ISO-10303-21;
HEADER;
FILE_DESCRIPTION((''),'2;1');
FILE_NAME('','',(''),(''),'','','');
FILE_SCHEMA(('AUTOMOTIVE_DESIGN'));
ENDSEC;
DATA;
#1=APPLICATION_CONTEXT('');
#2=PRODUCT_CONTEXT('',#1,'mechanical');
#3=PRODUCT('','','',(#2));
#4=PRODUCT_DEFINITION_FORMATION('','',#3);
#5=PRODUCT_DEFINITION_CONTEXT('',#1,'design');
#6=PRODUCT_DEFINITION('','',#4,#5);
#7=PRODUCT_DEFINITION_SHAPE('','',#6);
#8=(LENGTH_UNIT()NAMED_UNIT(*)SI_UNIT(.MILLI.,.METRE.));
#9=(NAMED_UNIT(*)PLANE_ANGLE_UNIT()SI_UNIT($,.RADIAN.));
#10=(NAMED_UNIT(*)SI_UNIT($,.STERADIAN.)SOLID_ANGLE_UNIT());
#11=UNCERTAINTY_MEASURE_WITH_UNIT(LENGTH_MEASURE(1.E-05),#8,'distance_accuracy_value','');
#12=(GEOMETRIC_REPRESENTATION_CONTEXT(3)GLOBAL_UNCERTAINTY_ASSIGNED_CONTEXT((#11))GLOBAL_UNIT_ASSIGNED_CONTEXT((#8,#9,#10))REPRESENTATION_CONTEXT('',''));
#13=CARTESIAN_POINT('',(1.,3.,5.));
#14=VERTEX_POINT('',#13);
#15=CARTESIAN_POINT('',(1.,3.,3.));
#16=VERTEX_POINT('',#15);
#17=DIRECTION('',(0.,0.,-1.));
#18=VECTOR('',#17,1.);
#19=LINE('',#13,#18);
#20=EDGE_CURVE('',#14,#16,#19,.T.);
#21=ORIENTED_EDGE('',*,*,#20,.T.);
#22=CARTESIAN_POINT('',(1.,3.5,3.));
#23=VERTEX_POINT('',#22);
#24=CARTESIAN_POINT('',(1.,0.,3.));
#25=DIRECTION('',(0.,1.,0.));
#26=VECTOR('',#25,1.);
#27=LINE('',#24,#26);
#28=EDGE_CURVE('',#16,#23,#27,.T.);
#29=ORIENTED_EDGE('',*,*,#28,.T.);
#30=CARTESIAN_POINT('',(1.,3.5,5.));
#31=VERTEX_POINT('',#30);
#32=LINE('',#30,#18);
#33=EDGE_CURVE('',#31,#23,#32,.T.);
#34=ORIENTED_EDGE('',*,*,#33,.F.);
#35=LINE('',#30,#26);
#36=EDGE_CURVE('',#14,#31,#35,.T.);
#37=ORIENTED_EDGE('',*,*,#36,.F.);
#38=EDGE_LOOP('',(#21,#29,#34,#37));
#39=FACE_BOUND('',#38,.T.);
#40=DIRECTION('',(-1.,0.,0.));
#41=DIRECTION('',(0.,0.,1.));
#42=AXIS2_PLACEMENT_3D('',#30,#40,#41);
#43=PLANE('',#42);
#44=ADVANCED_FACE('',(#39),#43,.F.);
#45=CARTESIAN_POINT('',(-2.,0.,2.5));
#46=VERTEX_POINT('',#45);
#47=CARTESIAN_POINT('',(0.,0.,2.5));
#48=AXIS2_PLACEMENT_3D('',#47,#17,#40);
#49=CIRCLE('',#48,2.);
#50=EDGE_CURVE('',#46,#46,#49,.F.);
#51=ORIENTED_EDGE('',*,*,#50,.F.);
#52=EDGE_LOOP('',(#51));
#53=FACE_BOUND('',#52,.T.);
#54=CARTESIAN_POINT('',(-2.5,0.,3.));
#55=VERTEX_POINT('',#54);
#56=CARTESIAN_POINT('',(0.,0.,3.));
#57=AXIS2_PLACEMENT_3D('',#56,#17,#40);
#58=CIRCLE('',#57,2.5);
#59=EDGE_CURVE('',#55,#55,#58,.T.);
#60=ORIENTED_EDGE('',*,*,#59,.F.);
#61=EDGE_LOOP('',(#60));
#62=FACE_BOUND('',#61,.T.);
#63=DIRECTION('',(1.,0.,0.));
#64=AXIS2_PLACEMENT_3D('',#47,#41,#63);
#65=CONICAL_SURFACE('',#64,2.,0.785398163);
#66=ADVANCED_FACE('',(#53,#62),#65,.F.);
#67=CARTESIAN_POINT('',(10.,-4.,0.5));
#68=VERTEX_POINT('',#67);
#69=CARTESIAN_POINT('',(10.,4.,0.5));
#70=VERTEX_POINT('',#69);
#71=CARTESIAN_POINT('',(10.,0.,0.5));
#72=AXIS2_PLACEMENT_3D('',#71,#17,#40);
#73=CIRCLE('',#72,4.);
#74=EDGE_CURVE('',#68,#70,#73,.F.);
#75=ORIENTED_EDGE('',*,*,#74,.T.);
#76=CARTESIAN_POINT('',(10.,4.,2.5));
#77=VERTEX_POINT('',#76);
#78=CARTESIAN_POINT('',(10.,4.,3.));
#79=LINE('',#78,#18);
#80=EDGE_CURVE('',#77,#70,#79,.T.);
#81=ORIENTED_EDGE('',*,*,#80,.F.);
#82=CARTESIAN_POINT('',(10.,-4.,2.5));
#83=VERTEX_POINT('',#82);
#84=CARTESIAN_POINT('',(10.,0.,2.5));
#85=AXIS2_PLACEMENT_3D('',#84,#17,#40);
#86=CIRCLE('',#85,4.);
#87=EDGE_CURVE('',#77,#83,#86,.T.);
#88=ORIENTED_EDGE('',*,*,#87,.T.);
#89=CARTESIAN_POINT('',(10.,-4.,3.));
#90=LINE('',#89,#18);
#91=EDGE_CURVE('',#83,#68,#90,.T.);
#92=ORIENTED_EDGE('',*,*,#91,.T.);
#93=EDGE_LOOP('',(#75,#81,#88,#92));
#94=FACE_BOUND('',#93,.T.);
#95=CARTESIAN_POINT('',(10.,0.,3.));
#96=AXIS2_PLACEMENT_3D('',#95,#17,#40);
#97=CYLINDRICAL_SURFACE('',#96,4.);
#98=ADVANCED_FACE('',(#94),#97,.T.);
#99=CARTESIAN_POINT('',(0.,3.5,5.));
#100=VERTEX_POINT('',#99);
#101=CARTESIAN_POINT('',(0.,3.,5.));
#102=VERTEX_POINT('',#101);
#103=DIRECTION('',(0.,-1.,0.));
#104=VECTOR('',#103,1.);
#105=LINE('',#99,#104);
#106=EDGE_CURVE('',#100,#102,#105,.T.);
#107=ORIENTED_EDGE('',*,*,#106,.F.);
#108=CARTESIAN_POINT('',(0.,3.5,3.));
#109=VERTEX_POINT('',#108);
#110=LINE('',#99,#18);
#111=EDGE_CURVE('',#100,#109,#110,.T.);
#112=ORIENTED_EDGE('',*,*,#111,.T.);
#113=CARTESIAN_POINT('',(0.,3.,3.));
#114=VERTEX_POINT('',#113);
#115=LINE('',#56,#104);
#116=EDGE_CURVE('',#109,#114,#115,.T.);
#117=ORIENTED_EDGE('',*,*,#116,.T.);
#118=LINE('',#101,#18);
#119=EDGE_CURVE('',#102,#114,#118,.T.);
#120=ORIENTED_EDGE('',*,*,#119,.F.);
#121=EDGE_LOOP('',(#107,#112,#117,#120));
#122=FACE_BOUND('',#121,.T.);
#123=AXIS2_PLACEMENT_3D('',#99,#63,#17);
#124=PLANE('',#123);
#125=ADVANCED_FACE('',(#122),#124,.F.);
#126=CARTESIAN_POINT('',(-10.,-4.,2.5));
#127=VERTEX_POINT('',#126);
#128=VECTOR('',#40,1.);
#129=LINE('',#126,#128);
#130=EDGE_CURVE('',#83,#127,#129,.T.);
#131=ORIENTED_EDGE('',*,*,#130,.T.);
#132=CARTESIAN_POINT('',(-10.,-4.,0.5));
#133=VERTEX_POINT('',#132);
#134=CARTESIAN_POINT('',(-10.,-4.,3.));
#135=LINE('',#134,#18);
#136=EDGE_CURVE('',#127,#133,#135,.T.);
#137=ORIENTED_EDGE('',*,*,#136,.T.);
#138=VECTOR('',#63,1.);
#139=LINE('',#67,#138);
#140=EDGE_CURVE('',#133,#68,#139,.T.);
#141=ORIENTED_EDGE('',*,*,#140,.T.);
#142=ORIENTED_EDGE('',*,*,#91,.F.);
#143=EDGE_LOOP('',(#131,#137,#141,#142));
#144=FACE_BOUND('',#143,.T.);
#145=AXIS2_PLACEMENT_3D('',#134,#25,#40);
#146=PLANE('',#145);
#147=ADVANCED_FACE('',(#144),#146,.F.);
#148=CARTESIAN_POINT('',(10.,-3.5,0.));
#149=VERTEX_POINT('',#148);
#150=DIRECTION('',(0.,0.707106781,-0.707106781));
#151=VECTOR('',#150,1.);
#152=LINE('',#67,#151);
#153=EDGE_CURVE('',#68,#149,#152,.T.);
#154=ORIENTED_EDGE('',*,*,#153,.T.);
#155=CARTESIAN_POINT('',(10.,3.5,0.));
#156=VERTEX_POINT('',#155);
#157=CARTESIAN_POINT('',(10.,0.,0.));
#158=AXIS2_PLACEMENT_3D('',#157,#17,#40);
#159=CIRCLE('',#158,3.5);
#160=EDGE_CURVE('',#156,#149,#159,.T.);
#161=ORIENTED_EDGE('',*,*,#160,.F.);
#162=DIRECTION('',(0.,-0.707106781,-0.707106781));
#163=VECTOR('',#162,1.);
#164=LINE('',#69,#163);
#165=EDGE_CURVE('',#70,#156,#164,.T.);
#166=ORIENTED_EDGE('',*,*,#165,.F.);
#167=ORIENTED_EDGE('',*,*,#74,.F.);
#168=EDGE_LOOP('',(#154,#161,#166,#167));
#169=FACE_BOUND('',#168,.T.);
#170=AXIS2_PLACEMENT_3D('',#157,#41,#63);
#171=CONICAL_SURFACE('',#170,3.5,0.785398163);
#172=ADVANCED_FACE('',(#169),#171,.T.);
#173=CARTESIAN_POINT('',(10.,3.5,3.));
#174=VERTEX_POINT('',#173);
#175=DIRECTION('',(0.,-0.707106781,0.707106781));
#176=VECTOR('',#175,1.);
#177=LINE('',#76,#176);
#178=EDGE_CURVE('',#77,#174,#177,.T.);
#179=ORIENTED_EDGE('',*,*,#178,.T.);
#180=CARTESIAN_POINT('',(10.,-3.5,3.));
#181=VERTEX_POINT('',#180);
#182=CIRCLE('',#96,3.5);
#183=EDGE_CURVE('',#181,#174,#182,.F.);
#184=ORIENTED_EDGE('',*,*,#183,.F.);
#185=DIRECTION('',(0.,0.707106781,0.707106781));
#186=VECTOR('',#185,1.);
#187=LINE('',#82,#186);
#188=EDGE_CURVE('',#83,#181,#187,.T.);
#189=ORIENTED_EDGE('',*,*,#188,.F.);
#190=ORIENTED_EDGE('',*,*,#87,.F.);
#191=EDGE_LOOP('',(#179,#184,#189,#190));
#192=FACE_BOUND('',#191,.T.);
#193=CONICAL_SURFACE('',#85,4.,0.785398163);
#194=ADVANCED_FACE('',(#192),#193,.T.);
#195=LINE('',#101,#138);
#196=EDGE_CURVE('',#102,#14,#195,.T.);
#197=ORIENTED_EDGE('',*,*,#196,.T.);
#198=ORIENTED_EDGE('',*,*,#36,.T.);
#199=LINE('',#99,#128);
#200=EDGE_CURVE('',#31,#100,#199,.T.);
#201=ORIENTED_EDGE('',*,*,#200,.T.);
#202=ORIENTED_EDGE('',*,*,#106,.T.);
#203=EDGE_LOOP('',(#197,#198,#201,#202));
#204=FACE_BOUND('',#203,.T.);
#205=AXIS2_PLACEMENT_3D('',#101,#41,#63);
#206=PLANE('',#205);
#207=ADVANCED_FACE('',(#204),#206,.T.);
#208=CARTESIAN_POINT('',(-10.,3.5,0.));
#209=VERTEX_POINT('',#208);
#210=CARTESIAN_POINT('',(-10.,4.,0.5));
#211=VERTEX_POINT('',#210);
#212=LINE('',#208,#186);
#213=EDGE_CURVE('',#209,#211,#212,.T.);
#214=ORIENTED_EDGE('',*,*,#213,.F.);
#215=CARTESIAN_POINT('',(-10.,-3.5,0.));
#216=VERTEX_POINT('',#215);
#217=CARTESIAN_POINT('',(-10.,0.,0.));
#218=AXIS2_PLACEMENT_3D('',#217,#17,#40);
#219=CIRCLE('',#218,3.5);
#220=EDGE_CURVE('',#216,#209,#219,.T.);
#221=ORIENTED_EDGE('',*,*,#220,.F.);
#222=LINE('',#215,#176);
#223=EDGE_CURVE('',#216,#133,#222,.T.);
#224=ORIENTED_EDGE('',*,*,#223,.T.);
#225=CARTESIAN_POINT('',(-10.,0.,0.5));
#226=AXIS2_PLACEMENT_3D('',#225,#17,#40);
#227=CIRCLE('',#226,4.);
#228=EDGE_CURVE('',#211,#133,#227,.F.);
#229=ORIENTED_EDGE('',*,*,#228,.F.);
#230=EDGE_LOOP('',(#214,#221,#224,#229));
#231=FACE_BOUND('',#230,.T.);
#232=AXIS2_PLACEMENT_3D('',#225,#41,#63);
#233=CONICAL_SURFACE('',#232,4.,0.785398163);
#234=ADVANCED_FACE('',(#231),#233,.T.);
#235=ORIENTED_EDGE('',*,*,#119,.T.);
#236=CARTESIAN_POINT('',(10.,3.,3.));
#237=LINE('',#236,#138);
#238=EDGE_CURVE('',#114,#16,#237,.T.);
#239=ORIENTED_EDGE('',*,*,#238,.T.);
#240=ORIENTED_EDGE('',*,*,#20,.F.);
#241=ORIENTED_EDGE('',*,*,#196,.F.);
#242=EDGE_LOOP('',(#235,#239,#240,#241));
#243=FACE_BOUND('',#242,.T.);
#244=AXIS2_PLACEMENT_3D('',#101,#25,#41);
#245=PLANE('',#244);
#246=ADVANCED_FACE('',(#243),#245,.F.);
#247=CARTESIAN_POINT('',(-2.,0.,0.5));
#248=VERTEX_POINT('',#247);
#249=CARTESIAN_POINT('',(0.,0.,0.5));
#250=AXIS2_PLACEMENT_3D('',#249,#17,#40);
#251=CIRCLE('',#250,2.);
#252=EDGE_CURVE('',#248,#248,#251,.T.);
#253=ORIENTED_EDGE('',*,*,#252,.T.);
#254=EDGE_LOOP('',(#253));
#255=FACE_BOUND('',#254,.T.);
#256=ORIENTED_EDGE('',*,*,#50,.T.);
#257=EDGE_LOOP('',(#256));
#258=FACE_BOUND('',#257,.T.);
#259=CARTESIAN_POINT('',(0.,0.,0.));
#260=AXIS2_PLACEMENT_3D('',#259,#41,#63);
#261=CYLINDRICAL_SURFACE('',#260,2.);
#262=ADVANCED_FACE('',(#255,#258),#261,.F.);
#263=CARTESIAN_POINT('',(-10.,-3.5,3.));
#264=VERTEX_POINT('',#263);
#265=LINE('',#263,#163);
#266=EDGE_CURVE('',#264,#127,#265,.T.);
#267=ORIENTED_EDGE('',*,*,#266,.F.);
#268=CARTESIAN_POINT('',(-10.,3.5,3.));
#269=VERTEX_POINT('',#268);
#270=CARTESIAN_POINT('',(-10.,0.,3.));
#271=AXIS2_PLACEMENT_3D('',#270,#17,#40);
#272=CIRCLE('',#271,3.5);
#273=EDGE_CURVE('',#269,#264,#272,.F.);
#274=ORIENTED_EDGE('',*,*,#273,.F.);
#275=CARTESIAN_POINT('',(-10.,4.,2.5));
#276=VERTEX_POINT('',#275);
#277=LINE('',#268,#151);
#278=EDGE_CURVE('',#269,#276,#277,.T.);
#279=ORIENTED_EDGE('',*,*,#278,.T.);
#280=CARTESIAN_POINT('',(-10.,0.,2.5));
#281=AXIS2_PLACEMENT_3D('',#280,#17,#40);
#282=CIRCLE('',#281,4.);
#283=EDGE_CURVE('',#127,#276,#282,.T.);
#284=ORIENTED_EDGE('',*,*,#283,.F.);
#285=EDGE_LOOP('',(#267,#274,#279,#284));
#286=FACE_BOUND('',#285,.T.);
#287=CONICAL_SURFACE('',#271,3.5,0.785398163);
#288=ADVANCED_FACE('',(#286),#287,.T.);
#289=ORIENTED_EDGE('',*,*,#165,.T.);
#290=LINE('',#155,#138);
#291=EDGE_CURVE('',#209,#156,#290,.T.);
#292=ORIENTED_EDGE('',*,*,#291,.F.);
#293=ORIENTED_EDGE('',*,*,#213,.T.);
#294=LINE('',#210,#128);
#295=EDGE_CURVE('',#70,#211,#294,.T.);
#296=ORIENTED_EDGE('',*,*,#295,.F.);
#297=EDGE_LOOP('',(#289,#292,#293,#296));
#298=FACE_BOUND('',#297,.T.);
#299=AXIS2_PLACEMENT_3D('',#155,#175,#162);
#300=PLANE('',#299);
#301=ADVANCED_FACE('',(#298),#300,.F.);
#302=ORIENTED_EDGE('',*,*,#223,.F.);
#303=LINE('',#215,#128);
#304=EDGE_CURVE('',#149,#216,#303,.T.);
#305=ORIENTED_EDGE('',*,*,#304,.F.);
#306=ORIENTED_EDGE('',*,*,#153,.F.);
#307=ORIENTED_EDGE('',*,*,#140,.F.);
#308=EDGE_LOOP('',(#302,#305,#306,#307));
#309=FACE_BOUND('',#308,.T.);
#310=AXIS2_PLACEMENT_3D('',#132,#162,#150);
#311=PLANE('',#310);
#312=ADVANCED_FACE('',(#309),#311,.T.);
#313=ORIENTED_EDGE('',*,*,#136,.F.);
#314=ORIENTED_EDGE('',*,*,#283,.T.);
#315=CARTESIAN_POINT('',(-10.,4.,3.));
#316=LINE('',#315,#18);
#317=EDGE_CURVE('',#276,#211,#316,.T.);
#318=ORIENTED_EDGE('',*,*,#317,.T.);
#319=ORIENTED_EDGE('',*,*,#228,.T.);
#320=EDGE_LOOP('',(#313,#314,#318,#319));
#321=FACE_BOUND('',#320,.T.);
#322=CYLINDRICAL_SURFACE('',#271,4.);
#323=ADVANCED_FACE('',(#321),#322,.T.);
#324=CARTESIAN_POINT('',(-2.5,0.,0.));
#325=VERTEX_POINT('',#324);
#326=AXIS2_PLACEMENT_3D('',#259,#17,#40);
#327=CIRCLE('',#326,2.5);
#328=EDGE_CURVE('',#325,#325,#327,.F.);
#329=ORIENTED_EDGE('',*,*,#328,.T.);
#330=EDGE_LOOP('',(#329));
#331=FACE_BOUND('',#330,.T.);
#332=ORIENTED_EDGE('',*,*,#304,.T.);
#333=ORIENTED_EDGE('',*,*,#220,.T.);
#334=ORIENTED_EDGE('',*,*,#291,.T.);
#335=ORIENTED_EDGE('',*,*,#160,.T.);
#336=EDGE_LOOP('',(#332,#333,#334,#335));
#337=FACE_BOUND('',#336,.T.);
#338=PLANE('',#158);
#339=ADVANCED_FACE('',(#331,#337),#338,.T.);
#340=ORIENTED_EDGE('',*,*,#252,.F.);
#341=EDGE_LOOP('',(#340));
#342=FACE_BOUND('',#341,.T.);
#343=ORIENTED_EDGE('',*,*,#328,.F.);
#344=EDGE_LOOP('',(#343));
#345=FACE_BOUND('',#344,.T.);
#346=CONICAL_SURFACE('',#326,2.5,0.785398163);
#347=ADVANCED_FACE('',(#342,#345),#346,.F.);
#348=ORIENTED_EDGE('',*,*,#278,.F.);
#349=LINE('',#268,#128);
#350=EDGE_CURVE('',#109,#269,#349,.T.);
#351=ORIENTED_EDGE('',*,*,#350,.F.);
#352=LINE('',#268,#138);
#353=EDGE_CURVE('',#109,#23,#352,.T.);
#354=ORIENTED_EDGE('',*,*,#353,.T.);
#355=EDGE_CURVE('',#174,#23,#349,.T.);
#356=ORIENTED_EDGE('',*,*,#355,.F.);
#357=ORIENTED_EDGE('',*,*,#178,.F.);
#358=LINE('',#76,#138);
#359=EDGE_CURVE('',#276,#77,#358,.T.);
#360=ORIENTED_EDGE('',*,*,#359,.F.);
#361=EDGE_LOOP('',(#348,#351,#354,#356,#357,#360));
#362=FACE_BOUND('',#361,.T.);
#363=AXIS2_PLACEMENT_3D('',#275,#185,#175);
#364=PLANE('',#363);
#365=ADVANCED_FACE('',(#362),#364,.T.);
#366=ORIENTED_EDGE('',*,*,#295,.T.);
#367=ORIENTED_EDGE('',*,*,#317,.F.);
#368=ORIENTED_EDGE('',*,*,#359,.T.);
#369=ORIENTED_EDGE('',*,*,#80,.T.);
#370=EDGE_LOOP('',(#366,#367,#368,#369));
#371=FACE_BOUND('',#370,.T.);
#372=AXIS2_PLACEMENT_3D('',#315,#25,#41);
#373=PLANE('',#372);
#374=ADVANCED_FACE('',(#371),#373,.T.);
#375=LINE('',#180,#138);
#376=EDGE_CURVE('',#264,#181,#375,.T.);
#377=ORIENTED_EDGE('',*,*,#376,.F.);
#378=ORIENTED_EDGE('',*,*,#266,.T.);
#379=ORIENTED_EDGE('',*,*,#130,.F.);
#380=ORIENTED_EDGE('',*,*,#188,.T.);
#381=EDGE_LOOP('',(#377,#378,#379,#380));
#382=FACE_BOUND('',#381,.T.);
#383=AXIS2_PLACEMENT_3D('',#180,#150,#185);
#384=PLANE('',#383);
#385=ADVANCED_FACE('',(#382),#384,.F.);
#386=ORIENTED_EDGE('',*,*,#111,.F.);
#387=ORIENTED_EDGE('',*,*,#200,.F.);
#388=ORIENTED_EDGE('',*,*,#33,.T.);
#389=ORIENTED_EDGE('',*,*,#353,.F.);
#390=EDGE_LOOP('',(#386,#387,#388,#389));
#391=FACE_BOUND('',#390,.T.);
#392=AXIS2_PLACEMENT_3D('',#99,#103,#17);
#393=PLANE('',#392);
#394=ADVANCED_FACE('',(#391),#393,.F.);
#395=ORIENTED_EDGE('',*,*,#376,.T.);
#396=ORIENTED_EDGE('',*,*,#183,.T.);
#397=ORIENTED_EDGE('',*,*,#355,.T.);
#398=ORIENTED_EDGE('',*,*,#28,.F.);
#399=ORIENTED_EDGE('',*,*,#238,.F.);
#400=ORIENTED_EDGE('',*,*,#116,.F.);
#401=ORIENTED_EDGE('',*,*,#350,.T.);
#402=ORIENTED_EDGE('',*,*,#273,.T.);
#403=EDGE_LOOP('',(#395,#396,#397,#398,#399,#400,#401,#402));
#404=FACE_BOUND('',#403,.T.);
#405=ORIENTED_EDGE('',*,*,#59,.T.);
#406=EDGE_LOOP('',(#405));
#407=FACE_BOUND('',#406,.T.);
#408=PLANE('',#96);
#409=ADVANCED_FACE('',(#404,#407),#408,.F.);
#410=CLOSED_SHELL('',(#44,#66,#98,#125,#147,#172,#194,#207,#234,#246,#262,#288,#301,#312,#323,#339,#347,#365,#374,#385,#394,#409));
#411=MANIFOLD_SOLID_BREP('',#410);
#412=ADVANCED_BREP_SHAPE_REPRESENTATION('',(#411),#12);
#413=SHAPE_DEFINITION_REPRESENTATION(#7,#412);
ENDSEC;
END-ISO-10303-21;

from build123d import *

# Parameters (mm, degrees)
BASE_EXTRUSION_DEPTH    = 3
ESQUISSE2_R             = 2
ENL_V_MAT_EXTRU_1_DEPTH = 3
CHANFREIN1_SIZE         = 0.5
ESQUISSE4_W             = 1
ESQUISSE4_H             = 0.5
BOSS_EXTRU_1_DEPTH      = 5


with BuildPart() as part:
    # Esquisse1 → Base-Extrusion (new body)
    with BuildSketch(Plane.XY):
        with BuildLine():
            Line((-10, 4), (10, 4))
            ThreePointArc((10, 4), (14, 0), (10, -4))
            Line((10, -4), (-10, -4))
            ThreePointArc((-10, -4), (-14, 0), (-10, 4))
        make_face()
    extrude(amount=BASE_EXTRUSION_DEPTH)

    # Esquisse2 → Enlèv. mat.-Extru.1 (cut)
    with BuildSketch(Plane.XY.offset(3)):
        with Locations(Location((0, 0, 0), (0, 0, 180))):
            Circle(ESQUISSE2_R)
    extrude(amount=-ENL_V_MAT_EXTRU_1_DEPTH, mode=Mode.SUBTRACT)

    # Chanfrein1
    chanfrein1_edges = [part.edges().sort_by_distance(p)[0] for p in [
        (0, -4, 0),
        (0, -4, 3),
        (14, 0, 0),
        (14, 0, 3),
        (-14, 0, 0),
        (-14, 0, 3),
        (0, 4, 0),
        (2, 0, 0),
        (0, 4, 3),
        (2, 0, 3),
    ]]
    chamfer(chanfrein1_edges, length=CHANFREIN1_SIZE)

    # Esquisse4 → Boss.-Extru.1 (add)
    with BuildSketch(Plane.XY):
        with Locations((0.5, 3.25)):
            Rectangle(ESQUISSE4_W, ESQUISSE4_H)
    extrude(amount=BOSS_EXTRU_1_DEPTH)


solid = part.part
